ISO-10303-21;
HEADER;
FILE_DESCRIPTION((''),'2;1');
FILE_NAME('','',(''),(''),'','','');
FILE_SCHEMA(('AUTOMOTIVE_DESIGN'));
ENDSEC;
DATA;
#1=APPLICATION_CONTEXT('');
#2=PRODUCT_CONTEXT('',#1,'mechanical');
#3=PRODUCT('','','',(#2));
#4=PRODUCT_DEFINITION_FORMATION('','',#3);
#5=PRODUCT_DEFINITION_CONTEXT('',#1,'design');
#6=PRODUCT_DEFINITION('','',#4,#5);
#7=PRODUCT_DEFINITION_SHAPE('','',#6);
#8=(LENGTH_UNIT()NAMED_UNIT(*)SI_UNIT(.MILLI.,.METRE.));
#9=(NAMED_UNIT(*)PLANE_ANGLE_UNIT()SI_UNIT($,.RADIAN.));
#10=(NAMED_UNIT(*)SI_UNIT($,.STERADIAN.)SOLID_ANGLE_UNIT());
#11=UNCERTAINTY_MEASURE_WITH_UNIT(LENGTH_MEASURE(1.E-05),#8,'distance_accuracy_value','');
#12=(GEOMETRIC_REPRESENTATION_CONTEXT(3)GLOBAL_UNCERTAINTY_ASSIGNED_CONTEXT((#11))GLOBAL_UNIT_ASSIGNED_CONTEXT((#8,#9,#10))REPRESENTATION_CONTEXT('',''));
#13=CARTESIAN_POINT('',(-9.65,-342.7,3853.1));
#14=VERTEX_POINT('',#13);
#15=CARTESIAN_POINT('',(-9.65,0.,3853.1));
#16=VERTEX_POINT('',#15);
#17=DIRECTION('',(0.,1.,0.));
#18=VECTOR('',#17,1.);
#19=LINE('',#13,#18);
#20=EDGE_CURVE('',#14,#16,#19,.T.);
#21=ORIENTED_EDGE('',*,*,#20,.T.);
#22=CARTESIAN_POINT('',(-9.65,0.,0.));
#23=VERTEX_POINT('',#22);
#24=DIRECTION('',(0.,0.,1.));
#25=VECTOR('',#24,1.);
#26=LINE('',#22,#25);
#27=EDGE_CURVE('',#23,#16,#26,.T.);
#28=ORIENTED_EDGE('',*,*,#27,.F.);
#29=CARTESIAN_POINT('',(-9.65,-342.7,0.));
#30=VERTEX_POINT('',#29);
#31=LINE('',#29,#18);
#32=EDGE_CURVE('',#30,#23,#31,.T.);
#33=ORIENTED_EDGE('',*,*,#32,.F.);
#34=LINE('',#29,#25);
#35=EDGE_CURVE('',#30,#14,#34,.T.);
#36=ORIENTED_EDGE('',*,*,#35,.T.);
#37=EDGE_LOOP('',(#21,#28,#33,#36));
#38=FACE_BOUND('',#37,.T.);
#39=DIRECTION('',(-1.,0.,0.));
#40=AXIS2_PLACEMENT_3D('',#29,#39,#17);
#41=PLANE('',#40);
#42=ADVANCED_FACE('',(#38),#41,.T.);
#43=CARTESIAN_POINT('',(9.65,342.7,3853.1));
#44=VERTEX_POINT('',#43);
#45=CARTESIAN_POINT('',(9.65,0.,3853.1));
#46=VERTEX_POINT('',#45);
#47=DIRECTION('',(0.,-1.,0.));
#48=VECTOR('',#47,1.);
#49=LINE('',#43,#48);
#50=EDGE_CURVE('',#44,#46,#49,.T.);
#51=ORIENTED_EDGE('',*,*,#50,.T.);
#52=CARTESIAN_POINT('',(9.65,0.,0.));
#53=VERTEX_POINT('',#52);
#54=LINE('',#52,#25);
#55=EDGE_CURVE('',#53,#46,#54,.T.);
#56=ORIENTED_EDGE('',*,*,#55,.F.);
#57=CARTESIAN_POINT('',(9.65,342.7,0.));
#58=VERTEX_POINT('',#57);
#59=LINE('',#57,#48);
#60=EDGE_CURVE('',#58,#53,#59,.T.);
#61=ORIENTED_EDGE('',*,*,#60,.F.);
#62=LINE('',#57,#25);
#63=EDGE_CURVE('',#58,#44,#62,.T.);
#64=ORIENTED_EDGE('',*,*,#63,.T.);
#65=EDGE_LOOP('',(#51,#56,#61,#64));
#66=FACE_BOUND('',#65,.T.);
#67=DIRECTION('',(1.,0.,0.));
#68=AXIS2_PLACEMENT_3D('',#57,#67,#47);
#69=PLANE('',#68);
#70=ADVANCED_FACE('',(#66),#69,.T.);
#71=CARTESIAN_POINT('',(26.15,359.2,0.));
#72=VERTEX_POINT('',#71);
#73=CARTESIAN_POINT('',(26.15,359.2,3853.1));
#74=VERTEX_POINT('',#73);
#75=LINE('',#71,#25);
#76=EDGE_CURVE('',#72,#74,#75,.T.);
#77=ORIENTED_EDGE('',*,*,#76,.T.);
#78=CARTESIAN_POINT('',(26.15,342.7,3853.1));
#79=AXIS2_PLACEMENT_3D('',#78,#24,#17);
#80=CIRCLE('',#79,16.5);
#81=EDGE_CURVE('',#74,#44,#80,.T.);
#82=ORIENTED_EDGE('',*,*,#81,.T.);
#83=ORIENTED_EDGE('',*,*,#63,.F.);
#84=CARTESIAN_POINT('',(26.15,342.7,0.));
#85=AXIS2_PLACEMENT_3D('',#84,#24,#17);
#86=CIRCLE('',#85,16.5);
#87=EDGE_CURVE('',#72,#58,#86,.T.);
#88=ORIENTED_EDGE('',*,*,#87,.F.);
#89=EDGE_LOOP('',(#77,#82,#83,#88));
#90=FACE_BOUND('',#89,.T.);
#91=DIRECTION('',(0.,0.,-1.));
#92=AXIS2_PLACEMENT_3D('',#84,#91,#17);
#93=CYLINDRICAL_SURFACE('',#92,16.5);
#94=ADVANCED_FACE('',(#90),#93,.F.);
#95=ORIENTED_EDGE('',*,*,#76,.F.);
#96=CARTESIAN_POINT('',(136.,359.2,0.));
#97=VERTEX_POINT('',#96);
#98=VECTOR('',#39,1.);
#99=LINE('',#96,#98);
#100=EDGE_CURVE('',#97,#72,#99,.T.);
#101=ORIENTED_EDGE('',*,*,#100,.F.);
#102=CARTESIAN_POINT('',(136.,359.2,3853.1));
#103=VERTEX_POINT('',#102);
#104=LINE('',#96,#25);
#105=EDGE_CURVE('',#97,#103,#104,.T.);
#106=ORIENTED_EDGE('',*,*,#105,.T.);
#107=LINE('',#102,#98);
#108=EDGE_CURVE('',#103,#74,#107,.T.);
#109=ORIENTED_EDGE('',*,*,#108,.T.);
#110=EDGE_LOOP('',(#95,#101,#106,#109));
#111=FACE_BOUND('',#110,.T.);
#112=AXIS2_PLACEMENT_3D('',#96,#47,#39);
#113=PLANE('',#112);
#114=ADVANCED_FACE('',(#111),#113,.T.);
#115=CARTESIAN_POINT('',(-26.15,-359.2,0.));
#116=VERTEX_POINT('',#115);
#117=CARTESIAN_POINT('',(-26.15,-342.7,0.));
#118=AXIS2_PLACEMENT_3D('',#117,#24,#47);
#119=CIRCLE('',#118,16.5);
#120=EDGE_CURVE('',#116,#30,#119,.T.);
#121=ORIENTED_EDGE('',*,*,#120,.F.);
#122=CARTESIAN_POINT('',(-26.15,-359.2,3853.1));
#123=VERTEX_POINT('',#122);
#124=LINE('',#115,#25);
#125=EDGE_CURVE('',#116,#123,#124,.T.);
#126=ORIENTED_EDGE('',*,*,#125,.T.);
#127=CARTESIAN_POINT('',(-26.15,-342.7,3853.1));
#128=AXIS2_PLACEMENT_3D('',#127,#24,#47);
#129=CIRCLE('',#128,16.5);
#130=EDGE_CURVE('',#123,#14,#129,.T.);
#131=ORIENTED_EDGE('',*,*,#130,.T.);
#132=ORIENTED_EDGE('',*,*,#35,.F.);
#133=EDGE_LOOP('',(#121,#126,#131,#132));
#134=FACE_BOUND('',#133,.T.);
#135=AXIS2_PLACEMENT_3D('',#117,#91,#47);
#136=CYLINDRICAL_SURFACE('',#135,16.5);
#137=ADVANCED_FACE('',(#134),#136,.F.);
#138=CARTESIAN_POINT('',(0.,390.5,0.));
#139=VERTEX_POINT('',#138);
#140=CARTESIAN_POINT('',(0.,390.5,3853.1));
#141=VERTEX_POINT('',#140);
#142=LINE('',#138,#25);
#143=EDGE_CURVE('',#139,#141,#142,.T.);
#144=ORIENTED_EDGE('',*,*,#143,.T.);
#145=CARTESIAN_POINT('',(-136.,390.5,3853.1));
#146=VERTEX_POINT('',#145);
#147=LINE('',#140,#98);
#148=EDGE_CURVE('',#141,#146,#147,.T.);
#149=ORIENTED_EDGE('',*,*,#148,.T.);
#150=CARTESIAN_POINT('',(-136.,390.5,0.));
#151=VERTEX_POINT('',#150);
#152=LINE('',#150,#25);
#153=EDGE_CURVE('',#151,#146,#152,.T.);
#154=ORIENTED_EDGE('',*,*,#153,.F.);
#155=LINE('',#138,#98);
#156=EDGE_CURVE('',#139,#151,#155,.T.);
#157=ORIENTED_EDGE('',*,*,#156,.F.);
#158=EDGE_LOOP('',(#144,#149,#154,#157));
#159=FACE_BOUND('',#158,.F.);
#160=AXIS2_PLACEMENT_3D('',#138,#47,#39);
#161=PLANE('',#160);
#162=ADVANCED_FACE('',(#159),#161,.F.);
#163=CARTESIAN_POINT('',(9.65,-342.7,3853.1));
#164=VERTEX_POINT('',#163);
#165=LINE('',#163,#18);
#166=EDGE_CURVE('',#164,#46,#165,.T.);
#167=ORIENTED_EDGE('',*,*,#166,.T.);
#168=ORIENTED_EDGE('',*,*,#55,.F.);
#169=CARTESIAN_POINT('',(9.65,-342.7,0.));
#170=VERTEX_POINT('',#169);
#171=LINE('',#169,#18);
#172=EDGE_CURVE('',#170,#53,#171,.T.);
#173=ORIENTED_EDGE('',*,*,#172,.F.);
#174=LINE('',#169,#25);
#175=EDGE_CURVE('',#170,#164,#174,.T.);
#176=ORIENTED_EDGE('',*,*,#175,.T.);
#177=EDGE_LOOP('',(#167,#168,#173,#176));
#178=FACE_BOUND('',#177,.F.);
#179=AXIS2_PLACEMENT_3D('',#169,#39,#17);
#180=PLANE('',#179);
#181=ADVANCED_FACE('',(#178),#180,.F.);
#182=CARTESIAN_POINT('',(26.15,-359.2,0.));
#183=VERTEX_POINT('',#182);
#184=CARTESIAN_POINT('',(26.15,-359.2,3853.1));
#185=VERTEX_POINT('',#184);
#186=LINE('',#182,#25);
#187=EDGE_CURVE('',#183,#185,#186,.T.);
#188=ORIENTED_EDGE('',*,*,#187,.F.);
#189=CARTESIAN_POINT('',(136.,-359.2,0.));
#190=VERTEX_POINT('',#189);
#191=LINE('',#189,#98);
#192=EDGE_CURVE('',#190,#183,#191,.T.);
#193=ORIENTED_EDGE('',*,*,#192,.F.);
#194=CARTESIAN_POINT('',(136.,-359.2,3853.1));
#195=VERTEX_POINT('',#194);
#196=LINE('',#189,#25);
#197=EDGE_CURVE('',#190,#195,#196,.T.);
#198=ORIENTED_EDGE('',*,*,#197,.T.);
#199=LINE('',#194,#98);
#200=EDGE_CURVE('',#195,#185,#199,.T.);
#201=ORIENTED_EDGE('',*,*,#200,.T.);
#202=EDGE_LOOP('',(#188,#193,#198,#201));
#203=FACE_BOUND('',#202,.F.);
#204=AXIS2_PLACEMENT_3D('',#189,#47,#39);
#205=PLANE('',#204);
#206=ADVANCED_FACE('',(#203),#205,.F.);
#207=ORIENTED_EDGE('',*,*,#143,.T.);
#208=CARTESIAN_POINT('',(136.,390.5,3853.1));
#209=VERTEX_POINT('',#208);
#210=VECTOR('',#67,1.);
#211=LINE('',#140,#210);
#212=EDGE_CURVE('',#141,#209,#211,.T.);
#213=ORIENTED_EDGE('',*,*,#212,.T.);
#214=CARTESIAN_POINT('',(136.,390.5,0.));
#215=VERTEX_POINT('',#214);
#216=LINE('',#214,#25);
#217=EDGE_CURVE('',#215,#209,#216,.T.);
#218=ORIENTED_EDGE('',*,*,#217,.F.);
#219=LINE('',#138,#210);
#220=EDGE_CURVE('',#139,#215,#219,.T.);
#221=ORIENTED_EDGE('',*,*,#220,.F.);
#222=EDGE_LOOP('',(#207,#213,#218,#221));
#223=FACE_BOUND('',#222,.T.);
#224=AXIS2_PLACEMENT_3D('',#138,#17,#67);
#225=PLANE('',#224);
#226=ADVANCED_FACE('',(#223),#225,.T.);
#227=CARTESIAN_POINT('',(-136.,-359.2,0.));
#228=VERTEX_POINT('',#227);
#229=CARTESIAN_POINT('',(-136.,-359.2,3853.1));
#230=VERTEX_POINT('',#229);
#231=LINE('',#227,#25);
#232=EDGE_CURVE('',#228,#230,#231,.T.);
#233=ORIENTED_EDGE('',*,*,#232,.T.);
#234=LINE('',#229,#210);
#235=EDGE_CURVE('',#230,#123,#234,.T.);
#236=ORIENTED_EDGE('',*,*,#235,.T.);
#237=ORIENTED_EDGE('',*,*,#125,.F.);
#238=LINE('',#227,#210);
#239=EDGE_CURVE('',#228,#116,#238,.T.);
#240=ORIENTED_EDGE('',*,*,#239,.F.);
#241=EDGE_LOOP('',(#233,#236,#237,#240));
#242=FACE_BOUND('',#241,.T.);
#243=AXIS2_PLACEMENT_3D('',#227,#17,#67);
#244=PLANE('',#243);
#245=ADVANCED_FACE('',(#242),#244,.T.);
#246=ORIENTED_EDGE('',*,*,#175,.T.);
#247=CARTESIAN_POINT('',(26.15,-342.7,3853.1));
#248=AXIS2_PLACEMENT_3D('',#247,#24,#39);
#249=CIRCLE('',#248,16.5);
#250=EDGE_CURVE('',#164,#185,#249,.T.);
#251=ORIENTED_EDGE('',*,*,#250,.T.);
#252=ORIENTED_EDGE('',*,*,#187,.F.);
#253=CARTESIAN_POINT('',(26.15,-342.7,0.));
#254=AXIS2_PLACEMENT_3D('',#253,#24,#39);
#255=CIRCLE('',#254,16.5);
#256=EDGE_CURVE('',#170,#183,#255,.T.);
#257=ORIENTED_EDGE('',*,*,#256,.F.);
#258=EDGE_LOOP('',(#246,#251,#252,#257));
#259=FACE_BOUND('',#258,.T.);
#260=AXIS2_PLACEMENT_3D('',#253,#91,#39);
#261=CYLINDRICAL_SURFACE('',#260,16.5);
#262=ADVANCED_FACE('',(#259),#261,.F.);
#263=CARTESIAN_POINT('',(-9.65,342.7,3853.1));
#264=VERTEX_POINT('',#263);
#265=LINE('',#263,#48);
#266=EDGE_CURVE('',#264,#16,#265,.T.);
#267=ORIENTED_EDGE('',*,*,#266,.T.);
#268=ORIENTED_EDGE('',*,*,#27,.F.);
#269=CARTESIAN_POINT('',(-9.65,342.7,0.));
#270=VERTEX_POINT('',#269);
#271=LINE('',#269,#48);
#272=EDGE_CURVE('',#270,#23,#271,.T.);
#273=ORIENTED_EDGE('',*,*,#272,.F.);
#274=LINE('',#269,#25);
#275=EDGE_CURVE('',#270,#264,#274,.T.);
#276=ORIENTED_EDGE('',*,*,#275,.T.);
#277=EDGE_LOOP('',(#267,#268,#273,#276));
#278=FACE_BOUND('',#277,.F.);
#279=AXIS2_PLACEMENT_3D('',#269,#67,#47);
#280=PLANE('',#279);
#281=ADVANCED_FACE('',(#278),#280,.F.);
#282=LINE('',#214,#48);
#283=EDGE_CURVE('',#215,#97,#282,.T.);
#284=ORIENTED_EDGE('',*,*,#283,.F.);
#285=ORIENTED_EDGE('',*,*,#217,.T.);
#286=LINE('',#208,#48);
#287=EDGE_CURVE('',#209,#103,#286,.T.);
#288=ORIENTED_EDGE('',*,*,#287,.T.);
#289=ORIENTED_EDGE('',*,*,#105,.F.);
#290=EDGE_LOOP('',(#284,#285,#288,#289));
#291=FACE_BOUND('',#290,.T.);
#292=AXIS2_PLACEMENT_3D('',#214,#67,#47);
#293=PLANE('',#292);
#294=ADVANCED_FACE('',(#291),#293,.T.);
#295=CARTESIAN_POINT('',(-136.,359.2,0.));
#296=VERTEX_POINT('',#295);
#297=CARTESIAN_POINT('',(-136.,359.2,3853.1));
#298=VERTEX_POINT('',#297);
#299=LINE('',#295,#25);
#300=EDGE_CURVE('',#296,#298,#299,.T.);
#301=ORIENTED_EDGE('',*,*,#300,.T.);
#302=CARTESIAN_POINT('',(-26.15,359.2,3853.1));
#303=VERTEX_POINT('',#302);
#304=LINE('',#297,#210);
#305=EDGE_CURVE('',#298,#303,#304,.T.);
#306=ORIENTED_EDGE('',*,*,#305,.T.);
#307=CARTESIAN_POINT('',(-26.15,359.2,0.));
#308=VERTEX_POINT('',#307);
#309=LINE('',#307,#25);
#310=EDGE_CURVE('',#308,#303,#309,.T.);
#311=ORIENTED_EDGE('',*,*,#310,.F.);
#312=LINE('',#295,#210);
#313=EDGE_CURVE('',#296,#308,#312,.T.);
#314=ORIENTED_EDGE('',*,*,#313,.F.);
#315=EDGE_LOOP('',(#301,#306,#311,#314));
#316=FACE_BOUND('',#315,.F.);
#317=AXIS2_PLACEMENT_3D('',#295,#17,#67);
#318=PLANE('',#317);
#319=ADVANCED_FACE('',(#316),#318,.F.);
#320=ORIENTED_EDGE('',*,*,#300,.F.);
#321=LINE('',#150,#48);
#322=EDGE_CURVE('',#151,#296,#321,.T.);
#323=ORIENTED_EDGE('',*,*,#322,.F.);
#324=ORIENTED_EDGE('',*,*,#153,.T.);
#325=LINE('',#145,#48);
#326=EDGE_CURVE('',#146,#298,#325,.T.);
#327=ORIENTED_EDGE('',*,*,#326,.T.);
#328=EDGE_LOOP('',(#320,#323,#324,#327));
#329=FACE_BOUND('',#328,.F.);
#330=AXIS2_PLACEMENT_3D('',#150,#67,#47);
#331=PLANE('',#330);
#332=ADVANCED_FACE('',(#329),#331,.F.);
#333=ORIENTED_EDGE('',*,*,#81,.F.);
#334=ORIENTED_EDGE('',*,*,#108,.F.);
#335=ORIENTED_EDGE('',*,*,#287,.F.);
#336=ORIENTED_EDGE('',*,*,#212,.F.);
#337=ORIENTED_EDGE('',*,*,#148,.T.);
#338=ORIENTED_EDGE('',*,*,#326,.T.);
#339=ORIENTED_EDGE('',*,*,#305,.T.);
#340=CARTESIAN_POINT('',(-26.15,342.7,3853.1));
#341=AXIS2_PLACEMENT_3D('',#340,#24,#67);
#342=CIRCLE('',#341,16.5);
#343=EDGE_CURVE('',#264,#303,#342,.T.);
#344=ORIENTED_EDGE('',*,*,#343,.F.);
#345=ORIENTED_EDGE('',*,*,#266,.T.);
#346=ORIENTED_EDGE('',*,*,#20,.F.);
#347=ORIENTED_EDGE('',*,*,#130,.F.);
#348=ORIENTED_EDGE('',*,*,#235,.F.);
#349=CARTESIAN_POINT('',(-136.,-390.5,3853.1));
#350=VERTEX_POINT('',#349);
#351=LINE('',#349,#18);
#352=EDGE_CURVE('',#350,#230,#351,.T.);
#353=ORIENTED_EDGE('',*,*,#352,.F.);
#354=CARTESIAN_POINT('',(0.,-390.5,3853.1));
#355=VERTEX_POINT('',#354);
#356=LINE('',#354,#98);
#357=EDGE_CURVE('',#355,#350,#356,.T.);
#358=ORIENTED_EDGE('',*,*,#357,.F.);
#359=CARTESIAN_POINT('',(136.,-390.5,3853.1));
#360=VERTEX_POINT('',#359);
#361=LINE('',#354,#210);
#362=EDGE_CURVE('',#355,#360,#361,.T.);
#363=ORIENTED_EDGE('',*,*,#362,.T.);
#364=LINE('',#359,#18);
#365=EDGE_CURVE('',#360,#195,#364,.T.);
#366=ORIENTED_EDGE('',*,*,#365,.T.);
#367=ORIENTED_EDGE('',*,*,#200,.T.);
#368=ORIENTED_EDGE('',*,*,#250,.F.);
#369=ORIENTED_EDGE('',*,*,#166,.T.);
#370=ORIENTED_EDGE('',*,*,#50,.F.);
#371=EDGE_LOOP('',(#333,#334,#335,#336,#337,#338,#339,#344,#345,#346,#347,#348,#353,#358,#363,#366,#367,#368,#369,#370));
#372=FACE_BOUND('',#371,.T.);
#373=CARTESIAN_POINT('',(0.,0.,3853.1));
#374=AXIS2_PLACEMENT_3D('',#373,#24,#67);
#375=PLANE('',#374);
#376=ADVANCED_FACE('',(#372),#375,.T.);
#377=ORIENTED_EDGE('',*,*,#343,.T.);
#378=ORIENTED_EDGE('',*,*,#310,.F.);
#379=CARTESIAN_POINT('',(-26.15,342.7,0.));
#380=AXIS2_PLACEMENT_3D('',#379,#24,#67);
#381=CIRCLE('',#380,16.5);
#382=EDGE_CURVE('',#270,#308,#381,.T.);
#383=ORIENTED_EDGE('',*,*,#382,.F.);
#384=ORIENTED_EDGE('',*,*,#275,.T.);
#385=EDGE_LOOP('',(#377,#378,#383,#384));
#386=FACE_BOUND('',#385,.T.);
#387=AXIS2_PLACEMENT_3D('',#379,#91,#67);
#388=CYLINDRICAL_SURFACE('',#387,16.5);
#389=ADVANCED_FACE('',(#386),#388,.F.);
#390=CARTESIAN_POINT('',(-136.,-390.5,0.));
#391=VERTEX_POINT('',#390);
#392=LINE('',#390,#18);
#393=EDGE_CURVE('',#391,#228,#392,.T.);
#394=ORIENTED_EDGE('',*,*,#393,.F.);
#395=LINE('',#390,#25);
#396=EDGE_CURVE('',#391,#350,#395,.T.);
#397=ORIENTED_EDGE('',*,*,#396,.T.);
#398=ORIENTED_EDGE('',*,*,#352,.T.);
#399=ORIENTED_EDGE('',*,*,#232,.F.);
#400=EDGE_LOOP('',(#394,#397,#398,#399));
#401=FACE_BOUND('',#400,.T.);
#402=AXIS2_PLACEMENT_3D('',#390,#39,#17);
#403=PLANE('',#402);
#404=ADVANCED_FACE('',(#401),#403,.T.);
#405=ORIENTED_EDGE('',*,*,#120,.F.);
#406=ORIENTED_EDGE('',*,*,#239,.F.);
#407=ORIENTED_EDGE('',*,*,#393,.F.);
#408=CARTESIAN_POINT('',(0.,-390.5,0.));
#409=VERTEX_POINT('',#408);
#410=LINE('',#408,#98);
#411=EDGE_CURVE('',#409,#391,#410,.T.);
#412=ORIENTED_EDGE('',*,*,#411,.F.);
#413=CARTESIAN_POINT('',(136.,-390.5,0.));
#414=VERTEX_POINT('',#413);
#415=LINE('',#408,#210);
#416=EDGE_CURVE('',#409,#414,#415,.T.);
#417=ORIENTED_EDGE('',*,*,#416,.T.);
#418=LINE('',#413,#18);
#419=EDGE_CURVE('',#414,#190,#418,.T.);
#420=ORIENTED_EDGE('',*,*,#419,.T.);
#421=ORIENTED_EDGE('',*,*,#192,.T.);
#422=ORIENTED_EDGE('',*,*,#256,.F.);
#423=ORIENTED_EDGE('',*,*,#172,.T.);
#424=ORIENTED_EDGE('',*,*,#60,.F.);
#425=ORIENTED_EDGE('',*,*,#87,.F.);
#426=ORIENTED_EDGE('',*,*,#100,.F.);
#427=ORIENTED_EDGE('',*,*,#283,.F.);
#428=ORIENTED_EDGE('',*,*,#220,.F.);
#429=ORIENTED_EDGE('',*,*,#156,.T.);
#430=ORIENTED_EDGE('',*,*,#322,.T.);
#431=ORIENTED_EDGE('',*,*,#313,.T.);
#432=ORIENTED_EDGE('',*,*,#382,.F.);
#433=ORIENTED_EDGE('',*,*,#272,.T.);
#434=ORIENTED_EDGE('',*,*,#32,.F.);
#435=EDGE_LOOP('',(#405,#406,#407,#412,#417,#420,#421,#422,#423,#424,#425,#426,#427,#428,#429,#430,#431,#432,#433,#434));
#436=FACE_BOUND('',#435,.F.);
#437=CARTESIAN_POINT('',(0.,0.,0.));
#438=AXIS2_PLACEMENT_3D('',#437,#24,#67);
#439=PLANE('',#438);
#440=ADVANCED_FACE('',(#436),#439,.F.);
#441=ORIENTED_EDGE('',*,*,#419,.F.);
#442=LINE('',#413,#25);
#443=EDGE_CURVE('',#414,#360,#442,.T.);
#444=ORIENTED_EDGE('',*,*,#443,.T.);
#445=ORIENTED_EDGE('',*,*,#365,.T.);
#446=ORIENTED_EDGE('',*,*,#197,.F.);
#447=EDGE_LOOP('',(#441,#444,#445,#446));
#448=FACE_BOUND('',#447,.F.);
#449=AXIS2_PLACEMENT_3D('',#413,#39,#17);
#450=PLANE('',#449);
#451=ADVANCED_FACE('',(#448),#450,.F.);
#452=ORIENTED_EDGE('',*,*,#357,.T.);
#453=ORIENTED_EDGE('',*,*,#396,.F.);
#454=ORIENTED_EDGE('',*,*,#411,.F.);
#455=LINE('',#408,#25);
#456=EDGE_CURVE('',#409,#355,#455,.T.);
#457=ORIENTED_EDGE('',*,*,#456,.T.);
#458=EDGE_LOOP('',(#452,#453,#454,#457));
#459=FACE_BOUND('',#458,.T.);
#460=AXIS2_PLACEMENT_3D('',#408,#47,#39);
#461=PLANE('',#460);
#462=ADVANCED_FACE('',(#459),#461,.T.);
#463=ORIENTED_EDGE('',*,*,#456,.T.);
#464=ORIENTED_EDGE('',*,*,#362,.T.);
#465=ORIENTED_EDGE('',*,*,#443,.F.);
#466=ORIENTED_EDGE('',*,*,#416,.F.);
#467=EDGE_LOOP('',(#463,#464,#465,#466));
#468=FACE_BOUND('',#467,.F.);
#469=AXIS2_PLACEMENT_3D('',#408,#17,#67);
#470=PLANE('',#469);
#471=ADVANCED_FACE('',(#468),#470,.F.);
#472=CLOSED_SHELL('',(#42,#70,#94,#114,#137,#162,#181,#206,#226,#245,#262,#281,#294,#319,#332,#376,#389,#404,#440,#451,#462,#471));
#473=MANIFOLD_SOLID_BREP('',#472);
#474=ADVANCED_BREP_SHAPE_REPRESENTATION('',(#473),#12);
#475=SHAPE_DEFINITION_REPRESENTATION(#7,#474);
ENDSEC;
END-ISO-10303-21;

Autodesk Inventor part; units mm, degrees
ref_plane "YZ Plane" through (0, 0, 0) normal (1, 0, 0) x (0, 1, 0)
ref_plane "Start plane" through (0, 0, 0) normal (0, 0, 1) x (1, 0, 0)
ref_plane "End plane" through (0, 0, 3853.1) normal (0, 0, 1) x (1, 0, 0)
sketch "Sketch" plane through (0, 0, 0) normal (0, 0, 1) x (1, 0, 0)
  line L0 (-136, -390.5) -> (-136, -359.2)
  line L1 (-136, -359.2) -> (-26.15, -359.2)
  line L2 (-9.65, -342.7) -> (-9.65, 0)
  line L3 (-9.65, 0) -> (0, 0) construction
  line L4 (0, 0) -> (0, -390.5) construction
  line L5 (0, -390.5) -> (-136, -390.5)
  line L6 (-60, 0) -> (80, 0) construction
  line L7 (0, -60) -> (0, 80) construction
  line L8 (136, -390.5) -> (136, -359.2)
  line L9 (136, -359.2) -> (26.15, -359.2)
  line L10 (9.65, -342.7) -> (9.65, 0)
  line L11 (9.65, 0) -> (0, 0) construction
  line L12 (0, -390.5) -> (136, -390.5)
  line L13 (-136, 390.5) -> (-136, 359.2)
  line L14 (-136, 359.2) -> (-26.15, 359.2)
  line L15 (-9.65, 342.7) -> (-9.65, 0)
  line L16 (0, 390.5) -> (-136, 390.5)
  line L17 (136, 390.5) -> (136, 359.2)
  line L18 (136, 359.2) -> (26.15, 359.2)
  line L19 (0, 390.5) -> (136, 390.5)
  line L20 (9.65, 342.7) -> (9.65, 0)
  arc A0 (-9.65, 342.7) -> (-26.15, 359.2) centre (-26.15, 342.7) ccw
  arc A1 (26.15, 359.2) -> (9.65, 342.7) centre (26.15, 342.7) ccw
  arc A2 (9.65, -342.7) -> (26.15, -359.2) centre (26.15, -342.7) ccw
  arc A3 (-26.15, -359.2) -> (-9.65, -342.7) centre (-26.15, -342.7) ccw
  line L21 (0, 108) -> (0, -88) construction
  line L22 (-88, 0) -> (108, 0) construction
  point P0 (-9.65, -359.2)
  point P1 (9.65, -359.2)
  point P2 (-9.65, 359.2)
  point P3 (9.65, 359.2)
  dimension "d1" = 390.5
  dimension "d2" = 31.3
  dimension "d3" = 136
  dimension "d4" = 9.65
  dimension "d10" = 16.5
extrude "Body" add sketch "Sketch" along normal up to surface (3853.1 mm away) from surface at 0
sketch "Sketch4" plane through (0, 0, 0) normal (0, 0, 1) x (1, 0, 0)
  line L0 (0, 0) -> (10, 0)
ref_plane "Work Plane3" through (0, 0, 0) normal (0, -1, 0) x (1, 0, 0)
sketch "Sketch5" plane through (0, 0, 0) normal (0, -1, 0) x (1, 0, 0)
  line L0 (-2, 0) -> (12, 0) projected
  line L1 (-2, 3853.1) -> (12, 3853.1) projected
  dimension "d14" = 3853.1
equation "\"d1\" = 0.5 * G_H"
equation "\"d2\" = G_T1"
equation "\"d3\" = 0.5 * G_W"
equation "\"d4\" = 0.5 * G_T"
equation "\"d10\" = G_IR"
equation "\"d5\" = G_L"
equation "\"G_W\" = 272"
equation "\"G_H\" = 781"
equation "\"G_T\" = 19.3"
equation "\"G_T1\" = 31.3"
equation "\"G_IR\" = 16.5"
equation "\"G_L\" = d14"
equation "\"G_OFFSET_START\" = 0"
equation "\"G_OFFSET_END\" = 0"
equation "\"d12\" = G_OFFSET_END + B_L"
equation "\"B_L\" = 3853.1"
properties part number "AS 3679-1990 - 760 UB - 244 - 3853.1" material "Steel, Mild"
